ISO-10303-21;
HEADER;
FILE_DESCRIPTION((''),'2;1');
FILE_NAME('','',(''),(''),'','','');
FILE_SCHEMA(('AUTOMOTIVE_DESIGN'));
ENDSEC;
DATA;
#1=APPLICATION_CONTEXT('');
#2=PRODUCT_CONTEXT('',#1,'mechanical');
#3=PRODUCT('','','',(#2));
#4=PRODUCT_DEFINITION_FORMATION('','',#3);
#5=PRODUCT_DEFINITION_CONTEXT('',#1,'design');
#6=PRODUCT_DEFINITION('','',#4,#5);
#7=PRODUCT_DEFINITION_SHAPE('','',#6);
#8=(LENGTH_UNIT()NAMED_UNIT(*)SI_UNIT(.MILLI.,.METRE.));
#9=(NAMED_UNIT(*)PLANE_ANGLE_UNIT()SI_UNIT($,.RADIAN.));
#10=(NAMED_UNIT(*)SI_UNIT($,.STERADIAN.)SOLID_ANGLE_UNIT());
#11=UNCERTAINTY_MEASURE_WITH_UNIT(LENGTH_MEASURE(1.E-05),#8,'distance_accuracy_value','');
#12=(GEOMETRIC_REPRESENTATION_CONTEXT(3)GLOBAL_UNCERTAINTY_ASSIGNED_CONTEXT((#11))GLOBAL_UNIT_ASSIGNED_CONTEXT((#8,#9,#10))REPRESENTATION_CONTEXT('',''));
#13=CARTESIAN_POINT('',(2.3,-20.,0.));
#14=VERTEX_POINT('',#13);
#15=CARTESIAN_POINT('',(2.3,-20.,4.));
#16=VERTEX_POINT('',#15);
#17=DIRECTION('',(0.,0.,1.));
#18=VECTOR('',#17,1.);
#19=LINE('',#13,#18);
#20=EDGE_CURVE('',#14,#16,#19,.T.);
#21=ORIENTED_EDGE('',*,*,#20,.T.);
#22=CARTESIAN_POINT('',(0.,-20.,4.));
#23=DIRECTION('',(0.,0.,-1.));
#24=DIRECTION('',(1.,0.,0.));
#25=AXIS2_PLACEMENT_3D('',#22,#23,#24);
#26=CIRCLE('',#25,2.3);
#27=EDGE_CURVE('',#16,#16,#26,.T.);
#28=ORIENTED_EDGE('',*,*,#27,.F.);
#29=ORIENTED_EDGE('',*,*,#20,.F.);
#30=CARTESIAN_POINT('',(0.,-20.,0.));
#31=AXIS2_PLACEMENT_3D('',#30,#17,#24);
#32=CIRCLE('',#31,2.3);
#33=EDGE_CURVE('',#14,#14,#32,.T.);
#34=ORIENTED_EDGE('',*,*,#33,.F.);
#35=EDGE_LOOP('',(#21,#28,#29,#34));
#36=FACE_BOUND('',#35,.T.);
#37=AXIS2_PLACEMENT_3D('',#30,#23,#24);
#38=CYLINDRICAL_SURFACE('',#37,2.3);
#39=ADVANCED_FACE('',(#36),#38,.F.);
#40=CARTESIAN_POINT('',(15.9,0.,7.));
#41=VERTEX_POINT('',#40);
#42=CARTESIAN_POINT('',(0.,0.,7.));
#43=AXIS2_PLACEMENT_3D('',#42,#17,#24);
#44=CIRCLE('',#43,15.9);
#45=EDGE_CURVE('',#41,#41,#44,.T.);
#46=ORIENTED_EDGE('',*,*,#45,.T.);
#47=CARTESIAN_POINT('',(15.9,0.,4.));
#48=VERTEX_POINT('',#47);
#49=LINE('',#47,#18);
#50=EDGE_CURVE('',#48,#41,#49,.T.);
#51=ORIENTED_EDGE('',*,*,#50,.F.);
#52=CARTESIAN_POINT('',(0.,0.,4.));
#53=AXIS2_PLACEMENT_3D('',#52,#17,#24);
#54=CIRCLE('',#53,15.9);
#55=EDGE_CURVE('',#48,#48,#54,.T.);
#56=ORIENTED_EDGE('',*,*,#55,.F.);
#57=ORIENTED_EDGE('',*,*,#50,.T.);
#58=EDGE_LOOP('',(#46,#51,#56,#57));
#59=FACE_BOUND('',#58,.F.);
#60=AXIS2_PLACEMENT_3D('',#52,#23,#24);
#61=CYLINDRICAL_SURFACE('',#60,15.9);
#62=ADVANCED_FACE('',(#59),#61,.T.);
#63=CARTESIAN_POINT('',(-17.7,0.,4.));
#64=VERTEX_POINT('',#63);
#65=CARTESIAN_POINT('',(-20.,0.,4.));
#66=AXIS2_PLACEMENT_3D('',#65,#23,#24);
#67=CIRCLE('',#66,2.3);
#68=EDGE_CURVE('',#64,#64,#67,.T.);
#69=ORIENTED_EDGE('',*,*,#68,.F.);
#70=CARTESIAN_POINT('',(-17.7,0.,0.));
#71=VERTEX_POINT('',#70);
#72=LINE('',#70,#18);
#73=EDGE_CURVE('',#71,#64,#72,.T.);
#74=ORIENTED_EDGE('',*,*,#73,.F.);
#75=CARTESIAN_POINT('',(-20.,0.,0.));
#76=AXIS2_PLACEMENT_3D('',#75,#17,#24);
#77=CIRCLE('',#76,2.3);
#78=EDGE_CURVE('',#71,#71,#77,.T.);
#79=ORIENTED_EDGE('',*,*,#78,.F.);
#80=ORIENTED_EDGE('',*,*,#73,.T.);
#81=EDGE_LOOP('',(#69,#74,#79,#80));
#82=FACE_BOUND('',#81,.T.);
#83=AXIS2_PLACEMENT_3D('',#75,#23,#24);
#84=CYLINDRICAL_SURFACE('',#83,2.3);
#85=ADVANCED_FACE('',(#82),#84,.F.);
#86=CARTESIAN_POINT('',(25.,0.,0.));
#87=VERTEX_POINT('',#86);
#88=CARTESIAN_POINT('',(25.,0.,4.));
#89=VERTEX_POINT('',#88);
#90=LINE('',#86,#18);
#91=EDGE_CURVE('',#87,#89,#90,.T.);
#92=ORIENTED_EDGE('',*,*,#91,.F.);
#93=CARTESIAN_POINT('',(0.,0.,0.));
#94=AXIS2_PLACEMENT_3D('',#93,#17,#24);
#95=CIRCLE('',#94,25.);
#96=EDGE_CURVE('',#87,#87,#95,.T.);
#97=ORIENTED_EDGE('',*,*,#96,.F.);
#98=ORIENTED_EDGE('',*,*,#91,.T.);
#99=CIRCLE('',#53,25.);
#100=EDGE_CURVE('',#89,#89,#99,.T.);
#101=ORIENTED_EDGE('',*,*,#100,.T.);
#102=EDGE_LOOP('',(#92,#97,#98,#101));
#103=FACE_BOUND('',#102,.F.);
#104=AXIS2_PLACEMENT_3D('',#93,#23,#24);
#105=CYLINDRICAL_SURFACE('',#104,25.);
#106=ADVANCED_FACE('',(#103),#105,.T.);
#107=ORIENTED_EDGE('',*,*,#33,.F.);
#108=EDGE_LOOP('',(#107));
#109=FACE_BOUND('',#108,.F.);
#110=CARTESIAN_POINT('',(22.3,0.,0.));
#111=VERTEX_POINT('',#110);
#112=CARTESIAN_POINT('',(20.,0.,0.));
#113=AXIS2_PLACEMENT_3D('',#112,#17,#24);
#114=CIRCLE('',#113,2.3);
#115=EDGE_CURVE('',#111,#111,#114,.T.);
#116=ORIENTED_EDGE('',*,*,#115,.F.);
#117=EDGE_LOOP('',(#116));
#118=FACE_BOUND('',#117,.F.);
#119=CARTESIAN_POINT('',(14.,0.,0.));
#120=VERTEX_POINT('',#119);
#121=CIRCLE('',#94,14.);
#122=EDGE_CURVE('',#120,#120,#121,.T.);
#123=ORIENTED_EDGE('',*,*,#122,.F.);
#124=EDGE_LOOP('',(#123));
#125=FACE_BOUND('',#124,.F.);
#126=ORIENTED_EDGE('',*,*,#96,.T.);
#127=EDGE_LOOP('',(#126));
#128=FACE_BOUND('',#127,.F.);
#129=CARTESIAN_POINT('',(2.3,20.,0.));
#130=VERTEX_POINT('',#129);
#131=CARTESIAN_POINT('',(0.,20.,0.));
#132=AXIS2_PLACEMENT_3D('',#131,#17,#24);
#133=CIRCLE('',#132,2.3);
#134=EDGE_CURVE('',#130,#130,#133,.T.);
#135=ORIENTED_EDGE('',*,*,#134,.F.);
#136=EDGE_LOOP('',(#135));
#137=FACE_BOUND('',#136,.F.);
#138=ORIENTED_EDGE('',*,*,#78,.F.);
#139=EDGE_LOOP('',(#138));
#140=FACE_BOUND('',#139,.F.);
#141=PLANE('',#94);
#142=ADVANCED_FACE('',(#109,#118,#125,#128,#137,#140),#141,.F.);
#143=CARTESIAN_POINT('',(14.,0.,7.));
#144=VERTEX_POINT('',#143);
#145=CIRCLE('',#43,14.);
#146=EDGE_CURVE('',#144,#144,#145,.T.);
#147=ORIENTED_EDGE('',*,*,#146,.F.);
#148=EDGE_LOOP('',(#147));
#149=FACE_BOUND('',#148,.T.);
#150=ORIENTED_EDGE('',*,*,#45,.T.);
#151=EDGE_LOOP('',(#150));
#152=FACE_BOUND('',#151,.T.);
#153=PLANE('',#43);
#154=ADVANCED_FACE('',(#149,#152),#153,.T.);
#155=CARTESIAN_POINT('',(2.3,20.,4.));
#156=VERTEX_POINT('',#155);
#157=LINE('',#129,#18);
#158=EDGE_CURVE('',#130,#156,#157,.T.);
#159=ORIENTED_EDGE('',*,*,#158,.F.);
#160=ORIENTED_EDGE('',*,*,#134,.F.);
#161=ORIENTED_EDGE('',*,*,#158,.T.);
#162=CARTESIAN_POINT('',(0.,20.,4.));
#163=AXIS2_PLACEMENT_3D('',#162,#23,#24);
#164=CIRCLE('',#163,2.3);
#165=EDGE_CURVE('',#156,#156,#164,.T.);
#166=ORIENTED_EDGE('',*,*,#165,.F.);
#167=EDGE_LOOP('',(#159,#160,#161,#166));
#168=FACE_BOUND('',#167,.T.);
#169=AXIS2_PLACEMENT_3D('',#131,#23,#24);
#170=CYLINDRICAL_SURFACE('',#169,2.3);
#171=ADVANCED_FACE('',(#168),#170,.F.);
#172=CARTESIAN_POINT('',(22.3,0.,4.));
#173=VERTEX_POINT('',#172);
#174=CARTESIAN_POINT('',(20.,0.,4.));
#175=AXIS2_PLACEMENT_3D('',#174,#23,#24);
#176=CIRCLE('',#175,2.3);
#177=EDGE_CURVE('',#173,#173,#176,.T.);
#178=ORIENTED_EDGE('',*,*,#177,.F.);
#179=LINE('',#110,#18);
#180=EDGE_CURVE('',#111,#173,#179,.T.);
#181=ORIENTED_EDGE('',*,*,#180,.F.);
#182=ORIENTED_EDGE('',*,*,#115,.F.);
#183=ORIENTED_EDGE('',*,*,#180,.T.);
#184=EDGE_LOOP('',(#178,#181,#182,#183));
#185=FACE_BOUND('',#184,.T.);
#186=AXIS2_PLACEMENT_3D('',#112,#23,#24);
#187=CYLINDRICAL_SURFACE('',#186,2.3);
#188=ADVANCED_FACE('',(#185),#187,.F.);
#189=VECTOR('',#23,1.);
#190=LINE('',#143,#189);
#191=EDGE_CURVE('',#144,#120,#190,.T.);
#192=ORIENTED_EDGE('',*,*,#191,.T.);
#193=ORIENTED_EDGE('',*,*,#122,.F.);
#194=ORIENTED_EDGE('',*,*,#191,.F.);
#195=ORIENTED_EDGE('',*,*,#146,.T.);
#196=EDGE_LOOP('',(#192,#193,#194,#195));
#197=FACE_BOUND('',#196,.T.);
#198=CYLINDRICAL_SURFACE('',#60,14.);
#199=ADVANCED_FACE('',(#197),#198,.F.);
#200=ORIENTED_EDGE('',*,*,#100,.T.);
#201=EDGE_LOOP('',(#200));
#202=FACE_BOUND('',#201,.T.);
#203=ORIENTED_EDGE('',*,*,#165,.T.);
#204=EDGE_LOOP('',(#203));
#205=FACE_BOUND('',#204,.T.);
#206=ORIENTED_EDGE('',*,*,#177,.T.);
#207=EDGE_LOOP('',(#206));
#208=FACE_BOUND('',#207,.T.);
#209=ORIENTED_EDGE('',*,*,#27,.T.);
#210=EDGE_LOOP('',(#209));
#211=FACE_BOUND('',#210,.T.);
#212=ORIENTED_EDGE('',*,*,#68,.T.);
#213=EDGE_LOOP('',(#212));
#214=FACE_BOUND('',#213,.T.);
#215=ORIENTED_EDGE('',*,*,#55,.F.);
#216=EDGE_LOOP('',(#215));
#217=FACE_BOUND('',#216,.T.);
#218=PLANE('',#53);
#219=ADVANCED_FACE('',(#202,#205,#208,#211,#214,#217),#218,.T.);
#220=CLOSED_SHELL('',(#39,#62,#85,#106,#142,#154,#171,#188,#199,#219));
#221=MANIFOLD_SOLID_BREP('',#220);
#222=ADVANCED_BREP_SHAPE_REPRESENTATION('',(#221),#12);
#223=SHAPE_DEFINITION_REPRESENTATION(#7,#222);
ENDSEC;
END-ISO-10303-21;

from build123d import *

# Parameters (mm, degrees)
SKETCH006_R      = 15.9
SKETCH006_R_2    = 14
EXTRUDE006_DEPTH = 3
SKETCH005_R      = 2.3
EXTRUDE005_DEPTH = 12
SKETCH004_R      = 25
SKETCH004_R_2    = 14
EXTRUDE004_DEPTH = 4


with BuildPart() as extrude006:
    # Sketch006 → Extrude006 (new body)
    with BuildSketch(Plane.XY):
        Circle(SKETCH006_R)
        Circle(SKETCH006_R_2, mode=Mode.SUBTRACT)
    extrude(amount=EXTRUDE006_DEPTH)


with BuildPart() as extrude006_1:
    # Extrude006 placement: moved
    add(extrude006.part.moved(Location((0, 0, 4))))


with BuildPart() as extrude005:
    # Sketch005 → Extrude005 (new body)
    with BuildSketch(Plane.XY):
        with Locations((-20, 0)):
            Circle(SKETCH005_R)
        with Locations((0, -20)):
            Circle(SKETCH005_R)
        with Locations((20, 0)):
            Circle(SKETCH005_R)
        with Locations((0, 20)):
            Circle(SKETCH005_R)
    extrude(amount=EXTRUDE005_DEPTH)


with BuildPart() as fusion:
    # Sketch004 → Extrude004 (new body)
    with BuildSketch(Plane.XY):
        Circle(SKETCH004_R)
        Circle(SKETCH004_R_2, mode=Mode.SUBTRACT)
    extrude(amount=EXTRUDE004_DEPTH)

    # Cut: cut Extrude005
    add(extrude005.part, mode=Mode.SUBTRACT)

    # Fusion: union Extrude006
    add(extrude006_1.part)


solid = fusion.part
